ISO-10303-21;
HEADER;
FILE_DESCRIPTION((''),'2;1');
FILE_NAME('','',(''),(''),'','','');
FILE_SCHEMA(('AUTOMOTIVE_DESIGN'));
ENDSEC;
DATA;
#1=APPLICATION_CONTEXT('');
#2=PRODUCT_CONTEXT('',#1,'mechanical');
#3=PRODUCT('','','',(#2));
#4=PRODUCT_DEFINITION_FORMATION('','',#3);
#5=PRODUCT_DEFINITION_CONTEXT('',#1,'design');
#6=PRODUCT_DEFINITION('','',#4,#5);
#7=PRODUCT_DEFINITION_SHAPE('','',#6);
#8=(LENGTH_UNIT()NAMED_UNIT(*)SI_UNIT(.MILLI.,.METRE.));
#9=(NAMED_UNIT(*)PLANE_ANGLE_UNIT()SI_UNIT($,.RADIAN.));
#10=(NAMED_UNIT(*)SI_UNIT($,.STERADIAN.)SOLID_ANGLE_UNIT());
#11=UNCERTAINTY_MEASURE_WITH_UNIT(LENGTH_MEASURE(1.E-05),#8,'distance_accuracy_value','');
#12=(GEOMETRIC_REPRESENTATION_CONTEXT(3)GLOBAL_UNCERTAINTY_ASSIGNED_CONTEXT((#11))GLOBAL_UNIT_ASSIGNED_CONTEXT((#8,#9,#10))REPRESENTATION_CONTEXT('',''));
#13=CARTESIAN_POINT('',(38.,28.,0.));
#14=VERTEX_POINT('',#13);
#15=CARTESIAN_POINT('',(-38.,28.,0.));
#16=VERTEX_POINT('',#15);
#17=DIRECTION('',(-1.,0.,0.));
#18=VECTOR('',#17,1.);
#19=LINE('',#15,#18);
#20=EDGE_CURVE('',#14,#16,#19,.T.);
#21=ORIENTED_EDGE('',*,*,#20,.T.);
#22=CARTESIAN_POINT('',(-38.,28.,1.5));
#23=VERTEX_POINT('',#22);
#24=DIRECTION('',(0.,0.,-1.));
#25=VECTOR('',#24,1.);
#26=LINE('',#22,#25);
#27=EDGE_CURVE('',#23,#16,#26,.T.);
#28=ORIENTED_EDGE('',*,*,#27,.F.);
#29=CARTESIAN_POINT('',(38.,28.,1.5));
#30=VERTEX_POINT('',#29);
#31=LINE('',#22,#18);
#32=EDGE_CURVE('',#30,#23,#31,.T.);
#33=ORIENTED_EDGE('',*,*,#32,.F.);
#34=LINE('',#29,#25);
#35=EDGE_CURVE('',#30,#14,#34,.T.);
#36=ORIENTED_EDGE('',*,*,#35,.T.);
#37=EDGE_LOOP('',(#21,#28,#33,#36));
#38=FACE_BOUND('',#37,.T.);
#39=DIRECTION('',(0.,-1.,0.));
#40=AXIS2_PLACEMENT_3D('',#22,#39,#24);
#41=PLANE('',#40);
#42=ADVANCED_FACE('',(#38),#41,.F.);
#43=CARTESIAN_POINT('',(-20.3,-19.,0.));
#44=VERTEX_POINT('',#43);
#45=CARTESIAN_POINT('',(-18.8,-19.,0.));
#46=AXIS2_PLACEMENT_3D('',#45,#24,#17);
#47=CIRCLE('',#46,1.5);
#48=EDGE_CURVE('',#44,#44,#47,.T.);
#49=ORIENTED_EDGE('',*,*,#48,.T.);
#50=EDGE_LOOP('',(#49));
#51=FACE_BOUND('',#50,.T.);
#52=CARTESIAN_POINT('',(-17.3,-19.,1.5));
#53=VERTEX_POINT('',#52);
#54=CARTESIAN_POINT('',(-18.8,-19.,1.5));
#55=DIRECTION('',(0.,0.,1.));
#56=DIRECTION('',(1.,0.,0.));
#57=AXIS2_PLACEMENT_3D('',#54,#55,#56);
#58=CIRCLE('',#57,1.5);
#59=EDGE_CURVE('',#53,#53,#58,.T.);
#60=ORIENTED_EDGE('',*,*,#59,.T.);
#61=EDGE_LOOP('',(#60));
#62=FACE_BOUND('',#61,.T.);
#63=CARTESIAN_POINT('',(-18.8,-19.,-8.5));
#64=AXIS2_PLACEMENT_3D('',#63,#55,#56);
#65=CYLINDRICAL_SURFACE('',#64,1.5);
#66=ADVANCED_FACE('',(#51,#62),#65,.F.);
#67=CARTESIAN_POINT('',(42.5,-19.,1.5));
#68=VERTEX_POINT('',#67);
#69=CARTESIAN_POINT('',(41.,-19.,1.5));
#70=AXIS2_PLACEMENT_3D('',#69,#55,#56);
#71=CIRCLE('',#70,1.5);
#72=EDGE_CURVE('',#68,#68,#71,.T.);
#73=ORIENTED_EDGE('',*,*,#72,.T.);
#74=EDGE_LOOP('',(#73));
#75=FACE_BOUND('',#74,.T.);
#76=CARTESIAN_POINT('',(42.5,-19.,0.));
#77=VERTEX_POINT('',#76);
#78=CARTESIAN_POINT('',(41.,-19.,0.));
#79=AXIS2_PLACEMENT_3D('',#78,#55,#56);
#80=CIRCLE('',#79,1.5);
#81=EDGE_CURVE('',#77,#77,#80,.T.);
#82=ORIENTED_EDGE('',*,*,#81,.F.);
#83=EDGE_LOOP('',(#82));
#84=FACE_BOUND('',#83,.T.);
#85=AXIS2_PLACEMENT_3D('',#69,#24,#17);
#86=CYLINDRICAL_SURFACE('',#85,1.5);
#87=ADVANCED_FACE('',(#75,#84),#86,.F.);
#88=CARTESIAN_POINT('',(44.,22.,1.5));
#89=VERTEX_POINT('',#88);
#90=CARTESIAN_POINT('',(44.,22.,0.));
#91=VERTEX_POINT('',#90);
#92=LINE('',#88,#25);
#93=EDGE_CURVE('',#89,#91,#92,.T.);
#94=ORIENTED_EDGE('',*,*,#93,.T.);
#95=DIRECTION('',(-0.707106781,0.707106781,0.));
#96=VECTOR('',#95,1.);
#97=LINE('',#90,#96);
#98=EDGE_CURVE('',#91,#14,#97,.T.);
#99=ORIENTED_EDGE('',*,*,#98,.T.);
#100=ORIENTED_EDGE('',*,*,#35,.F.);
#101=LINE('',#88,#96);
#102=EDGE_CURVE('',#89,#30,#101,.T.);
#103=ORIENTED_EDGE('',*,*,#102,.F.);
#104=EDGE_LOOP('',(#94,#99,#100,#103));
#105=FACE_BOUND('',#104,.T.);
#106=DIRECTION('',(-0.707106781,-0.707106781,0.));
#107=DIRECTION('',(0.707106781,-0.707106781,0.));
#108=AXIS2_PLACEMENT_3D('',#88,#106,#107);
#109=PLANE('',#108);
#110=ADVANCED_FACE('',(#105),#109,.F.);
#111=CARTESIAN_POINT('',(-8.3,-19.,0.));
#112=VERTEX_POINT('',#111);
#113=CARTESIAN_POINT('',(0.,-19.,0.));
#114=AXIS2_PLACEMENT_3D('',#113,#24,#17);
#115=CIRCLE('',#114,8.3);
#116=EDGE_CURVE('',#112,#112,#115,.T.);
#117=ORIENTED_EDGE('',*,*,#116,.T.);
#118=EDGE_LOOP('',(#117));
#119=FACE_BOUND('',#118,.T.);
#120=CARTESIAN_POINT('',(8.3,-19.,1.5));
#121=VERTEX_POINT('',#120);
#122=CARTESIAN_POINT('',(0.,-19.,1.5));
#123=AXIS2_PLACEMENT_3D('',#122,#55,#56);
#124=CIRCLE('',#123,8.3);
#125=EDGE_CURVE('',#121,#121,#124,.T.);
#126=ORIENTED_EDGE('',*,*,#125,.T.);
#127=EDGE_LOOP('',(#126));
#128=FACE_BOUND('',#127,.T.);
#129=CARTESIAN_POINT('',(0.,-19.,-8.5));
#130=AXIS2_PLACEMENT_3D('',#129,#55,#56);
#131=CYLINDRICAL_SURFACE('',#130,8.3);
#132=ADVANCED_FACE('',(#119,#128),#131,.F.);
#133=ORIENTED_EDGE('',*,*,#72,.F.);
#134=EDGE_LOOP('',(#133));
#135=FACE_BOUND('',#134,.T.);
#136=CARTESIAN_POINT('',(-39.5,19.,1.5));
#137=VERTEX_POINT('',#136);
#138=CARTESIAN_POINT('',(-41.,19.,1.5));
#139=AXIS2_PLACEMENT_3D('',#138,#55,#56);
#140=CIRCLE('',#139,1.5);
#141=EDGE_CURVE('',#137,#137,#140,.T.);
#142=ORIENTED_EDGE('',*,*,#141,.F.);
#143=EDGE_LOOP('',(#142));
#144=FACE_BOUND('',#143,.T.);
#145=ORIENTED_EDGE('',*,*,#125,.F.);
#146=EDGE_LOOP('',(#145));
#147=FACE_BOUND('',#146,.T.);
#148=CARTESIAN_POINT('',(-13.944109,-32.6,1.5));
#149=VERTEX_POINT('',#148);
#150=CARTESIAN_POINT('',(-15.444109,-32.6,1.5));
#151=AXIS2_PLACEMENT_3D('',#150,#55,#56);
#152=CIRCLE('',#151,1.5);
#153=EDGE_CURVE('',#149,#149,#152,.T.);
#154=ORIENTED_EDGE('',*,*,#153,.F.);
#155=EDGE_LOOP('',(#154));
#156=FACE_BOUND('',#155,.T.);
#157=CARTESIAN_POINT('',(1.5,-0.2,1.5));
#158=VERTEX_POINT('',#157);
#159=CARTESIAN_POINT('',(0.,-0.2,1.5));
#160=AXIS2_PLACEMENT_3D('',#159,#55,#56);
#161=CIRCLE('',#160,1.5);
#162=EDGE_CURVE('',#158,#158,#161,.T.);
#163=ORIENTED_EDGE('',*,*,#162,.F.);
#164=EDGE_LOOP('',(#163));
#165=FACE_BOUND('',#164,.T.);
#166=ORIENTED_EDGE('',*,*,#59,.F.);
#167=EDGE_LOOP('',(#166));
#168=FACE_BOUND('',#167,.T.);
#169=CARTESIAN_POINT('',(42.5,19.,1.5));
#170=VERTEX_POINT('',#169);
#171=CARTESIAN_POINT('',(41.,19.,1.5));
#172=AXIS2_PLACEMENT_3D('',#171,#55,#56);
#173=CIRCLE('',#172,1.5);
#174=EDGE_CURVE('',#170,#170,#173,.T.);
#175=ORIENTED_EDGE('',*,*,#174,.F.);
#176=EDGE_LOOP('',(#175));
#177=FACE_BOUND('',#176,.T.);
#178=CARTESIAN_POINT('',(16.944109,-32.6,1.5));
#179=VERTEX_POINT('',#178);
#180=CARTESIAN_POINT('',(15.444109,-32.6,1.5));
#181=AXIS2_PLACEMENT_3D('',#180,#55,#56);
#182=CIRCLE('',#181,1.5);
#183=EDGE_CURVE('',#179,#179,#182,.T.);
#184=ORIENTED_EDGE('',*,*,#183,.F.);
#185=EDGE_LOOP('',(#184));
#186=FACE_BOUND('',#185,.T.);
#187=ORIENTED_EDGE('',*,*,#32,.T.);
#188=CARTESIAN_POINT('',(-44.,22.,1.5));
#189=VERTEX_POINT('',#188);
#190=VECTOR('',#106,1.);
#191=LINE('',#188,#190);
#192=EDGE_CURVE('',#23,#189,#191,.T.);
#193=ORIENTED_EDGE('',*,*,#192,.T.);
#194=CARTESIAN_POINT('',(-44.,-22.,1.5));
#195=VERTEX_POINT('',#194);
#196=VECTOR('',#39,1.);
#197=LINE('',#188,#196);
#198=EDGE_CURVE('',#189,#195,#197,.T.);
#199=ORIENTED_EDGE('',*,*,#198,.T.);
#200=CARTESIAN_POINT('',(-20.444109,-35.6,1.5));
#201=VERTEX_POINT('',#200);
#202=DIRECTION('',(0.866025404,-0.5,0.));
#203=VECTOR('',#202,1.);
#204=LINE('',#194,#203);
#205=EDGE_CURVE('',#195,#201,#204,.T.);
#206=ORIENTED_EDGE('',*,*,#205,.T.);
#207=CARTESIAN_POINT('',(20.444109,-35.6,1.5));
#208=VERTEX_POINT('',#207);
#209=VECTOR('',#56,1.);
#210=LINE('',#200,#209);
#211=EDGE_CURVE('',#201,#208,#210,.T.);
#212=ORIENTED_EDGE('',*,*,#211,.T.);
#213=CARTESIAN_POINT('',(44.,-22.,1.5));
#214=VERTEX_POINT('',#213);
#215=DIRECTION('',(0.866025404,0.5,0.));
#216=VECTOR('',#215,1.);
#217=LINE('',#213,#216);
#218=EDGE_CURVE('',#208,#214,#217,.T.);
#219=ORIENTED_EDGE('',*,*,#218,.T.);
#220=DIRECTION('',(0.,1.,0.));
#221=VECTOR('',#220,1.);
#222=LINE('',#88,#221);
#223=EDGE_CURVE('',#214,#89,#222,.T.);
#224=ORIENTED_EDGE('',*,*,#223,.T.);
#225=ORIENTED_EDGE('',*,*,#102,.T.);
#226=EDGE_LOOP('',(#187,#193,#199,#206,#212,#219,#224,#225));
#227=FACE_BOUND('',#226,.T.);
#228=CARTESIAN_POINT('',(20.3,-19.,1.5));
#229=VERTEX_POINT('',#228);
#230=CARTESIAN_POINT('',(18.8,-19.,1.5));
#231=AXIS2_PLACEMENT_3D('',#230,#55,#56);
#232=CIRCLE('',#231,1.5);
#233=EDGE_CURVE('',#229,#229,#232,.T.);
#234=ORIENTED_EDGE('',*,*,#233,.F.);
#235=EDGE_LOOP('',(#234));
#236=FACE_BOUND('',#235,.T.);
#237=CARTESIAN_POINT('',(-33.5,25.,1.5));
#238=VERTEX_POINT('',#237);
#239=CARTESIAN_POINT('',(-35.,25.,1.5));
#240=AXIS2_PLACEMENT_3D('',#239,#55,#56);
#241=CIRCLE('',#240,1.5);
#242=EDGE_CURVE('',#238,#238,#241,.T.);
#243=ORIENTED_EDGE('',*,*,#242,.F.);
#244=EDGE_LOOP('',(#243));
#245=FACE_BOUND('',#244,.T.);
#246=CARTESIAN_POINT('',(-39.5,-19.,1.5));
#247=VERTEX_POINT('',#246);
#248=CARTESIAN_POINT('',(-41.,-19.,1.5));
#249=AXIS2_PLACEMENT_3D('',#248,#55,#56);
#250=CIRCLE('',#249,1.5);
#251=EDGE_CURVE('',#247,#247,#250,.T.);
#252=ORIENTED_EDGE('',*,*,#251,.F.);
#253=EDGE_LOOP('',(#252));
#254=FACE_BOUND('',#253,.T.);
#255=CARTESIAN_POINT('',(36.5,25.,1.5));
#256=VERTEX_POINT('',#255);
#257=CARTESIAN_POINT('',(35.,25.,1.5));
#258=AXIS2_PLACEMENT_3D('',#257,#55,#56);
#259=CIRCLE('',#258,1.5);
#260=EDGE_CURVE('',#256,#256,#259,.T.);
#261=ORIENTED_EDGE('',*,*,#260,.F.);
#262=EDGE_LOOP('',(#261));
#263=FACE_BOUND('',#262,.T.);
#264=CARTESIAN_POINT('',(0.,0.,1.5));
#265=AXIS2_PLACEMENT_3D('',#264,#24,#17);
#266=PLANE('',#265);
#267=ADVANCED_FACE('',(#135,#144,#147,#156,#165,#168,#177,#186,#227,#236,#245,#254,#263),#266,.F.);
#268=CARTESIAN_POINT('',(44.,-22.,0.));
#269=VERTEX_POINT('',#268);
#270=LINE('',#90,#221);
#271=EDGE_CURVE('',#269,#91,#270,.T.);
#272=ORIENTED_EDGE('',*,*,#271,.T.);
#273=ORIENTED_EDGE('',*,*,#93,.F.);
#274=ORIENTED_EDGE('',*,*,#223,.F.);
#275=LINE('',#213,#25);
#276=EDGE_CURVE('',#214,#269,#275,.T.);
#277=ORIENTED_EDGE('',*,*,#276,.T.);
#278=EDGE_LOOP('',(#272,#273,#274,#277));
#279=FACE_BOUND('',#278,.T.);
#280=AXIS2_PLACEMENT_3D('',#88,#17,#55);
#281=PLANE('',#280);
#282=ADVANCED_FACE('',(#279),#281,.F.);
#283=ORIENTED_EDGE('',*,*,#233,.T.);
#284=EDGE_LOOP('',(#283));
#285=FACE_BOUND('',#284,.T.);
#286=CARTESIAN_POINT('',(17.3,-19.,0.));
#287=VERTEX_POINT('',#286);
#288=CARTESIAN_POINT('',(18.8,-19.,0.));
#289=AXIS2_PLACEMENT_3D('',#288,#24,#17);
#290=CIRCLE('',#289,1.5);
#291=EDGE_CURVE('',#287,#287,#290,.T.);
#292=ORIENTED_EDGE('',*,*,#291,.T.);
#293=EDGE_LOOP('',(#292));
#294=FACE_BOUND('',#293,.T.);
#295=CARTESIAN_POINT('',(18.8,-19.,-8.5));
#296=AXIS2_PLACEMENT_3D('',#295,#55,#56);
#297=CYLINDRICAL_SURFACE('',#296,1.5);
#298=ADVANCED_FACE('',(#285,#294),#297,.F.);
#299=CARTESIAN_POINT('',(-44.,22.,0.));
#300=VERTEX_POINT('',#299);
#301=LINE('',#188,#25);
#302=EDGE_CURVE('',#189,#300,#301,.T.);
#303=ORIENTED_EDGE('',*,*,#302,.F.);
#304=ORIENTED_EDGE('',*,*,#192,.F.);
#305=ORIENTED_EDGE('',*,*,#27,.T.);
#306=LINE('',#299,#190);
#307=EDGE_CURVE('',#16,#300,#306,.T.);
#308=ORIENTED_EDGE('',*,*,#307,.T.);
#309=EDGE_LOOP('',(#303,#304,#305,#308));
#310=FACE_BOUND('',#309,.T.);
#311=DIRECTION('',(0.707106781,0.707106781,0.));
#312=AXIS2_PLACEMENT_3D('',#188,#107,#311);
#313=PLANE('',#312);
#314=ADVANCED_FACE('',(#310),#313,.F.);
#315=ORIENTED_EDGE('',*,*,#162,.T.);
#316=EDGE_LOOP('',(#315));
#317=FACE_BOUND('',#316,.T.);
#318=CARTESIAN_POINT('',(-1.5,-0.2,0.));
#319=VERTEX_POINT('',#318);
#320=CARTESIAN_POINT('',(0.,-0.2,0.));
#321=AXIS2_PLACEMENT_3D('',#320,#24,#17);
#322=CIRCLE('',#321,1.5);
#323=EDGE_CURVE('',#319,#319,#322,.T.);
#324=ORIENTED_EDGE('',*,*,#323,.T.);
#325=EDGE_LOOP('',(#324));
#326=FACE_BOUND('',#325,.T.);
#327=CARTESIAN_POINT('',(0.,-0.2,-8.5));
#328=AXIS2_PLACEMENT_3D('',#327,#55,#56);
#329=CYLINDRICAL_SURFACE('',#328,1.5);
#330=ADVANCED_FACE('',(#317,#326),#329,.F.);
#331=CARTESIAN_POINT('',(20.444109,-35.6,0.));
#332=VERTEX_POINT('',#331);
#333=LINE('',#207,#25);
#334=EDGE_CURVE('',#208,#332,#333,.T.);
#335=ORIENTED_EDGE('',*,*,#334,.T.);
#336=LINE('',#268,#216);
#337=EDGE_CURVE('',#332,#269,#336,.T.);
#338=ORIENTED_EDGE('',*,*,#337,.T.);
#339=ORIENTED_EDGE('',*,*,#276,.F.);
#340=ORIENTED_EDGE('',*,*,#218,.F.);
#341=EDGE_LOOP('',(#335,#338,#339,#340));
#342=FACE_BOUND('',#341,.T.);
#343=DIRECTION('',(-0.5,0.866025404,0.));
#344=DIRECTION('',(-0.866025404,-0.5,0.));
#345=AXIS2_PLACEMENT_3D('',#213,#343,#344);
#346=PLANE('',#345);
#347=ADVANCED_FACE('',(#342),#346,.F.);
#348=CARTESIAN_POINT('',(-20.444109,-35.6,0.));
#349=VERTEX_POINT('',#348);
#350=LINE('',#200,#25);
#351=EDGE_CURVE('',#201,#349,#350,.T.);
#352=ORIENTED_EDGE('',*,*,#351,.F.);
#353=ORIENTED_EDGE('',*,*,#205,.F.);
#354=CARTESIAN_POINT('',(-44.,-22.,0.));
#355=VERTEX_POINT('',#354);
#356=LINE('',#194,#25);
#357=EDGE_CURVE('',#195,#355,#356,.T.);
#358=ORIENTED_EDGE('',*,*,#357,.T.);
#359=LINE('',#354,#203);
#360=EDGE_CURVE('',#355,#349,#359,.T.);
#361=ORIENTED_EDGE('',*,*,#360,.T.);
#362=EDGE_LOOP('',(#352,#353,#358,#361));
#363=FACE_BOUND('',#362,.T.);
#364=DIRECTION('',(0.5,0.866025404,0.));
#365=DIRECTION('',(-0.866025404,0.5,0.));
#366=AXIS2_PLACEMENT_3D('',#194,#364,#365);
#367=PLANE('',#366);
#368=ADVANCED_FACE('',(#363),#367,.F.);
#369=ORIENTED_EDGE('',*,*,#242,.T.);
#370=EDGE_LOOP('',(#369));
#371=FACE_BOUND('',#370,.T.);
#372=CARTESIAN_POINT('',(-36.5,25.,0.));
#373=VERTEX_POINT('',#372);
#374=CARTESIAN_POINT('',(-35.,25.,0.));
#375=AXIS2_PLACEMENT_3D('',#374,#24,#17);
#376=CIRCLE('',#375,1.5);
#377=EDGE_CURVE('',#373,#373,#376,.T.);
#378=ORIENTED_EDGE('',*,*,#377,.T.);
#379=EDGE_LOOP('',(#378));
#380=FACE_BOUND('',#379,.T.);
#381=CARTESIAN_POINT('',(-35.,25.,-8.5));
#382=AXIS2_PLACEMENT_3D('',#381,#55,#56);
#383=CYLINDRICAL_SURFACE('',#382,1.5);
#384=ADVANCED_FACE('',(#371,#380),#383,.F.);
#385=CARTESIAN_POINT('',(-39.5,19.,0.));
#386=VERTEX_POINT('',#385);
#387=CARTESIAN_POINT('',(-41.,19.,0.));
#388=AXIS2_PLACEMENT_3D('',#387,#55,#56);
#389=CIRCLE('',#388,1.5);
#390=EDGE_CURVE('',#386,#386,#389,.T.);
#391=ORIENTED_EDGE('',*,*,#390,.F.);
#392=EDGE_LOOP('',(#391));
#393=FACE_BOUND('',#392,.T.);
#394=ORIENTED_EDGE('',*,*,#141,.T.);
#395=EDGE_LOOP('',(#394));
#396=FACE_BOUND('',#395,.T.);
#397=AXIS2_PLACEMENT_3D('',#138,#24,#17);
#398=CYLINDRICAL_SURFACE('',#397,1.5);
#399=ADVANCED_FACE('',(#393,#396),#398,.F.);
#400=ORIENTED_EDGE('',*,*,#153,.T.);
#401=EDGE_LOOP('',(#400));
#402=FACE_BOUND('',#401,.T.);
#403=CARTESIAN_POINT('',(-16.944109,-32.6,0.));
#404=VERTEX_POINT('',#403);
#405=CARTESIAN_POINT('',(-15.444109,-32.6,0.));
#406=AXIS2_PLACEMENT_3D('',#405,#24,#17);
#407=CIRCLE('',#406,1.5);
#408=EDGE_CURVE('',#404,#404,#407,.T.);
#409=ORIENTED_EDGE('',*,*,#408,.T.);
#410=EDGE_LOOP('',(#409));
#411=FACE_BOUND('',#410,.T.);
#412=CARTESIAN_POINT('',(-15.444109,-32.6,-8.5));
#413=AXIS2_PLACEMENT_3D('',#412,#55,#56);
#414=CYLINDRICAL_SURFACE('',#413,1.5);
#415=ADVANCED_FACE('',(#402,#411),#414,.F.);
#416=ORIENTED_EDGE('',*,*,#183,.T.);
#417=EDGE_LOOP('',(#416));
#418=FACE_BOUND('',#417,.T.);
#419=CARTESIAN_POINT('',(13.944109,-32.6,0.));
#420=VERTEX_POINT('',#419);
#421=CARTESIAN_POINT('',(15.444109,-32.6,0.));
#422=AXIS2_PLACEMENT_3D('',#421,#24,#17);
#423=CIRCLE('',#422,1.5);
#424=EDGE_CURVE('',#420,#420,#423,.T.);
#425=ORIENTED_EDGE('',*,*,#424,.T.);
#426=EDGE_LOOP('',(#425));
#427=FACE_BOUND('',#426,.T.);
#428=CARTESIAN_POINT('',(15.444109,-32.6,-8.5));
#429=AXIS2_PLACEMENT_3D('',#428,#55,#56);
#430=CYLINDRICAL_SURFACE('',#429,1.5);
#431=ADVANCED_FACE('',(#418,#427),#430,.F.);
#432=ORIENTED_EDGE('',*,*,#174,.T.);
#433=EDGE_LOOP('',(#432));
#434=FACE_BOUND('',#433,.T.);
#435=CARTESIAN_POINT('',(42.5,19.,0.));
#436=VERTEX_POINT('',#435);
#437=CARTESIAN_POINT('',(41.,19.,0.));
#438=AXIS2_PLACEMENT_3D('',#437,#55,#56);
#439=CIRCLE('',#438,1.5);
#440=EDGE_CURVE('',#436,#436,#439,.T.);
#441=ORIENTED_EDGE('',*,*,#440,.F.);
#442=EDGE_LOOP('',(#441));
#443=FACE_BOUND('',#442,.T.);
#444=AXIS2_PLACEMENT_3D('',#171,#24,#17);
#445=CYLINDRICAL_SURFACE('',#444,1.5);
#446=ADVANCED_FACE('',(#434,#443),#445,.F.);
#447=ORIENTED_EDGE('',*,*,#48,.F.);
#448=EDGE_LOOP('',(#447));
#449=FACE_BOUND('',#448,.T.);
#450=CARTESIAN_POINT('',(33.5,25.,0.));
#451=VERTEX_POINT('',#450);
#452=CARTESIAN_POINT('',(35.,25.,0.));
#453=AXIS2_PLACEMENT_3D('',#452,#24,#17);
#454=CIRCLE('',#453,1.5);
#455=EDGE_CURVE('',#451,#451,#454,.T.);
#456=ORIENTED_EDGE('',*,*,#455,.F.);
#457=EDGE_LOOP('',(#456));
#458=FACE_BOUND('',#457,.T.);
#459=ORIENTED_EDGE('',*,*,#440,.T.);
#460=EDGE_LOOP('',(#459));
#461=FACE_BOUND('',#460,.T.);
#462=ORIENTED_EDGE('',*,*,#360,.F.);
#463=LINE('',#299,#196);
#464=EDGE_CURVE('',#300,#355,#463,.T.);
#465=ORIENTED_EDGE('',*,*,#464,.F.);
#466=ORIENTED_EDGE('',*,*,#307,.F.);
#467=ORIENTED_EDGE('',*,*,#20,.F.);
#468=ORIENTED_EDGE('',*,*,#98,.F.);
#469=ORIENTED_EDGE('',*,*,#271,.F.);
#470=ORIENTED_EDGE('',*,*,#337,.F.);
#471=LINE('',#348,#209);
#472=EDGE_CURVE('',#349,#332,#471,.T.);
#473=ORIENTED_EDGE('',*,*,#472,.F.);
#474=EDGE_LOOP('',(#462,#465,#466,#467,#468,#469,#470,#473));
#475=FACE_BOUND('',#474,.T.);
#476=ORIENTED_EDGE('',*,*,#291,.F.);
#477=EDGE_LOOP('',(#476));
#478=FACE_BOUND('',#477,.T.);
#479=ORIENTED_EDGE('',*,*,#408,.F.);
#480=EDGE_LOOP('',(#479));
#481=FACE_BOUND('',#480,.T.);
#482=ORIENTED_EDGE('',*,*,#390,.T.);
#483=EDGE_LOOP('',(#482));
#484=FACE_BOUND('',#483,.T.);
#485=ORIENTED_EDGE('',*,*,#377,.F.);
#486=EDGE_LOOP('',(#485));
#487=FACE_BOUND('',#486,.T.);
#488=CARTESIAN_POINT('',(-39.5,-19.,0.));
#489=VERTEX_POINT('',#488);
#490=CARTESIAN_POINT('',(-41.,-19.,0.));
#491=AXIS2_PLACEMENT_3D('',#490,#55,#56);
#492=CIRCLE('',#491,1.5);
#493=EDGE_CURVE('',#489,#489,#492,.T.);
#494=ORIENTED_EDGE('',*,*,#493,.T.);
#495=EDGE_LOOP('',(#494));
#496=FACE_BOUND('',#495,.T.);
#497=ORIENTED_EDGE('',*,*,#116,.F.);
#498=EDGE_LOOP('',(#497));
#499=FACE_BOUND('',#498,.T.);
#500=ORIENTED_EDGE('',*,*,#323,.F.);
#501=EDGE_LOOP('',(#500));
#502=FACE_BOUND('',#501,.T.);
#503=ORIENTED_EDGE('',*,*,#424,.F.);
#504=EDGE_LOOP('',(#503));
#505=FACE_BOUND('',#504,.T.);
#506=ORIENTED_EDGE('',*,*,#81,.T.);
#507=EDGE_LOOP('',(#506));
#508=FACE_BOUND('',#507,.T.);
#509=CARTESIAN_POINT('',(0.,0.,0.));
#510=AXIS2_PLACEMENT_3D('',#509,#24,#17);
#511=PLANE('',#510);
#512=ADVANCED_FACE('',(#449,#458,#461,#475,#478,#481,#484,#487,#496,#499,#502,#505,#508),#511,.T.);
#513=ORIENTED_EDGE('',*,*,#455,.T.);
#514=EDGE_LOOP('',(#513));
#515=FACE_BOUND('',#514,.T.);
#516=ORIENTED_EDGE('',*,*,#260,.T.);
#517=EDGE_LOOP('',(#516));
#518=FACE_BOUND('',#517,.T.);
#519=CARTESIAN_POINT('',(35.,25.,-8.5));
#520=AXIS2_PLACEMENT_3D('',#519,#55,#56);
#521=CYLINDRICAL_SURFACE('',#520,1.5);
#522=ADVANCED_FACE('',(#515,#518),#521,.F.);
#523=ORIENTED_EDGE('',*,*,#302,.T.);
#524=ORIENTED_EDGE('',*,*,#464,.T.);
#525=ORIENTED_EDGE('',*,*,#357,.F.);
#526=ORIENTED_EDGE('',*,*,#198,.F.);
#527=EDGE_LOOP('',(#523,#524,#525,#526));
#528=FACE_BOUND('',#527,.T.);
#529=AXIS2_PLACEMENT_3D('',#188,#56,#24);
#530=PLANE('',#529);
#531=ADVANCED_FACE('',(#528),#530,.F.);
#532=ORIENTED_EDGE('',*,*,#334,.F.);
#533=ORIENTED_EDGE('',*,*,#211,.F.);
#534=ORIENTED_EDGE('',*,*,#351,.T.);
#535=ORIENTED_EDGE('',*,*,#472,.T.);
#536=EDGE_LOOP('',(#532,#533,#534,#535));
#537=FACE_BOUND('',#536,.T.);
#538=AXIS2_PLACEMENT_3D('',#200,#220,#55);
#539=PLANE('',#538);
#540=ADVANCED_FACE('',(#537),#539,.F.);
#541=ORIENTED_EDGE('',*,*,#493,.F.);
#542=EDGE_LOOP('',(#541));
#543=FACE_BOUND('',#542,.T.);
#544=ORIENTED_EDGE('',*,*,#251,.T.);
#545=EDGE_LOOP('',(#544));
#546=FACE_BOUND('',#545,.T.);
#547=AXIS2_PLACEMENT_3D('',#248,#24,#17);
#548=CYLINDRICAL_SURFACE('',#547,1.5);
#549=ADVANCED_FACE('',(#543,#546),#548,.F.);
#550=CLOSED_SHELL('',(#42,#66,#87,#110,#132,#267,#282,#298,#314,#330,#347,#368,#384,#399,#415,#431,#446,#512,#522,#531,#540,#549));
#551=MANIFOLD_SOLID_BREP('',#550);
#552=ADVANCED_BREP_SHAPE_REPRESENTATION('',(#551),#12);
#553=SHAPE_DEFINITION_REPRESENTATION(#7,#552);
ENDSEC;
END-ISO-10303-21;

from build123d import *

# Parameters (mm, degrees)
SKETCH_1_R          = 1.5
EXTRUDE_1_DEPTH     = 1.5
SKETCH_2_R          = 1.5
SKETCH_2_R_2        = 8.3
CUT_EXTRUDE_1_DEPTH = 10


with BuildPart() as part:
    # 草图1 → 凸台-拉伸1 (new body)
    with BuildSketch(Plane.XY):
        Polygon((-44, -22), (-20.444109017, -35.6), (20.444109017, -35.6), (44, -22), (44, 22), (38, 28), (-38, 28), (-44, 22), align=None)
        with Locations((-41, 19)):
            Circle(SKETCH_1_R, mode=Mode.SUBTRACT)
        with Locations((-41, -19)):
            Circle(SKETCH_1_R, mode=Mode.SUBTRACT)
        with Locations((41, 19)):
            Circle(SKETCH_1_R, mode=Mode.SUBTRACT)
        with Locations((41, -19)):
            Circle(SKETCH_1_R, mode=Mode.SUBTRACT)
    extrude(amount=EXTRUDE_1_DEPTH)

    # 草图2 → 切除-拉伸1 (cut)
    with BuildSketch(Plane.XY.offset(1.5)):
        with Locations((0, -0.2)):
            Circle(SKETCH_2_R)
        with Locations((-18.8, -19)):
            Circle(SKETCH_2_R)
        with Locations((18.8, -19)):
            Circle(SKETCH_2_R)
        with Locations((0, -19)):
            Circle(SKETCH_2_R_2)
        with Locations((-15.444109017, -32.6)):
            Circle(SKETCH_2_R)
        with Locations((15.444109017, -32.6)):
            Circle(SKETCH_2_R)
        with Locations((-35, 25)):
            Circle(SKETCH_2_R)
        with Locations((35, 25)):
            Circle(SKETCH_2_R)
    extrude(amount=-CUT_EXTRUDE_1_DEPTH, mode=Mode.SUBTRACT)


solid = part.part
